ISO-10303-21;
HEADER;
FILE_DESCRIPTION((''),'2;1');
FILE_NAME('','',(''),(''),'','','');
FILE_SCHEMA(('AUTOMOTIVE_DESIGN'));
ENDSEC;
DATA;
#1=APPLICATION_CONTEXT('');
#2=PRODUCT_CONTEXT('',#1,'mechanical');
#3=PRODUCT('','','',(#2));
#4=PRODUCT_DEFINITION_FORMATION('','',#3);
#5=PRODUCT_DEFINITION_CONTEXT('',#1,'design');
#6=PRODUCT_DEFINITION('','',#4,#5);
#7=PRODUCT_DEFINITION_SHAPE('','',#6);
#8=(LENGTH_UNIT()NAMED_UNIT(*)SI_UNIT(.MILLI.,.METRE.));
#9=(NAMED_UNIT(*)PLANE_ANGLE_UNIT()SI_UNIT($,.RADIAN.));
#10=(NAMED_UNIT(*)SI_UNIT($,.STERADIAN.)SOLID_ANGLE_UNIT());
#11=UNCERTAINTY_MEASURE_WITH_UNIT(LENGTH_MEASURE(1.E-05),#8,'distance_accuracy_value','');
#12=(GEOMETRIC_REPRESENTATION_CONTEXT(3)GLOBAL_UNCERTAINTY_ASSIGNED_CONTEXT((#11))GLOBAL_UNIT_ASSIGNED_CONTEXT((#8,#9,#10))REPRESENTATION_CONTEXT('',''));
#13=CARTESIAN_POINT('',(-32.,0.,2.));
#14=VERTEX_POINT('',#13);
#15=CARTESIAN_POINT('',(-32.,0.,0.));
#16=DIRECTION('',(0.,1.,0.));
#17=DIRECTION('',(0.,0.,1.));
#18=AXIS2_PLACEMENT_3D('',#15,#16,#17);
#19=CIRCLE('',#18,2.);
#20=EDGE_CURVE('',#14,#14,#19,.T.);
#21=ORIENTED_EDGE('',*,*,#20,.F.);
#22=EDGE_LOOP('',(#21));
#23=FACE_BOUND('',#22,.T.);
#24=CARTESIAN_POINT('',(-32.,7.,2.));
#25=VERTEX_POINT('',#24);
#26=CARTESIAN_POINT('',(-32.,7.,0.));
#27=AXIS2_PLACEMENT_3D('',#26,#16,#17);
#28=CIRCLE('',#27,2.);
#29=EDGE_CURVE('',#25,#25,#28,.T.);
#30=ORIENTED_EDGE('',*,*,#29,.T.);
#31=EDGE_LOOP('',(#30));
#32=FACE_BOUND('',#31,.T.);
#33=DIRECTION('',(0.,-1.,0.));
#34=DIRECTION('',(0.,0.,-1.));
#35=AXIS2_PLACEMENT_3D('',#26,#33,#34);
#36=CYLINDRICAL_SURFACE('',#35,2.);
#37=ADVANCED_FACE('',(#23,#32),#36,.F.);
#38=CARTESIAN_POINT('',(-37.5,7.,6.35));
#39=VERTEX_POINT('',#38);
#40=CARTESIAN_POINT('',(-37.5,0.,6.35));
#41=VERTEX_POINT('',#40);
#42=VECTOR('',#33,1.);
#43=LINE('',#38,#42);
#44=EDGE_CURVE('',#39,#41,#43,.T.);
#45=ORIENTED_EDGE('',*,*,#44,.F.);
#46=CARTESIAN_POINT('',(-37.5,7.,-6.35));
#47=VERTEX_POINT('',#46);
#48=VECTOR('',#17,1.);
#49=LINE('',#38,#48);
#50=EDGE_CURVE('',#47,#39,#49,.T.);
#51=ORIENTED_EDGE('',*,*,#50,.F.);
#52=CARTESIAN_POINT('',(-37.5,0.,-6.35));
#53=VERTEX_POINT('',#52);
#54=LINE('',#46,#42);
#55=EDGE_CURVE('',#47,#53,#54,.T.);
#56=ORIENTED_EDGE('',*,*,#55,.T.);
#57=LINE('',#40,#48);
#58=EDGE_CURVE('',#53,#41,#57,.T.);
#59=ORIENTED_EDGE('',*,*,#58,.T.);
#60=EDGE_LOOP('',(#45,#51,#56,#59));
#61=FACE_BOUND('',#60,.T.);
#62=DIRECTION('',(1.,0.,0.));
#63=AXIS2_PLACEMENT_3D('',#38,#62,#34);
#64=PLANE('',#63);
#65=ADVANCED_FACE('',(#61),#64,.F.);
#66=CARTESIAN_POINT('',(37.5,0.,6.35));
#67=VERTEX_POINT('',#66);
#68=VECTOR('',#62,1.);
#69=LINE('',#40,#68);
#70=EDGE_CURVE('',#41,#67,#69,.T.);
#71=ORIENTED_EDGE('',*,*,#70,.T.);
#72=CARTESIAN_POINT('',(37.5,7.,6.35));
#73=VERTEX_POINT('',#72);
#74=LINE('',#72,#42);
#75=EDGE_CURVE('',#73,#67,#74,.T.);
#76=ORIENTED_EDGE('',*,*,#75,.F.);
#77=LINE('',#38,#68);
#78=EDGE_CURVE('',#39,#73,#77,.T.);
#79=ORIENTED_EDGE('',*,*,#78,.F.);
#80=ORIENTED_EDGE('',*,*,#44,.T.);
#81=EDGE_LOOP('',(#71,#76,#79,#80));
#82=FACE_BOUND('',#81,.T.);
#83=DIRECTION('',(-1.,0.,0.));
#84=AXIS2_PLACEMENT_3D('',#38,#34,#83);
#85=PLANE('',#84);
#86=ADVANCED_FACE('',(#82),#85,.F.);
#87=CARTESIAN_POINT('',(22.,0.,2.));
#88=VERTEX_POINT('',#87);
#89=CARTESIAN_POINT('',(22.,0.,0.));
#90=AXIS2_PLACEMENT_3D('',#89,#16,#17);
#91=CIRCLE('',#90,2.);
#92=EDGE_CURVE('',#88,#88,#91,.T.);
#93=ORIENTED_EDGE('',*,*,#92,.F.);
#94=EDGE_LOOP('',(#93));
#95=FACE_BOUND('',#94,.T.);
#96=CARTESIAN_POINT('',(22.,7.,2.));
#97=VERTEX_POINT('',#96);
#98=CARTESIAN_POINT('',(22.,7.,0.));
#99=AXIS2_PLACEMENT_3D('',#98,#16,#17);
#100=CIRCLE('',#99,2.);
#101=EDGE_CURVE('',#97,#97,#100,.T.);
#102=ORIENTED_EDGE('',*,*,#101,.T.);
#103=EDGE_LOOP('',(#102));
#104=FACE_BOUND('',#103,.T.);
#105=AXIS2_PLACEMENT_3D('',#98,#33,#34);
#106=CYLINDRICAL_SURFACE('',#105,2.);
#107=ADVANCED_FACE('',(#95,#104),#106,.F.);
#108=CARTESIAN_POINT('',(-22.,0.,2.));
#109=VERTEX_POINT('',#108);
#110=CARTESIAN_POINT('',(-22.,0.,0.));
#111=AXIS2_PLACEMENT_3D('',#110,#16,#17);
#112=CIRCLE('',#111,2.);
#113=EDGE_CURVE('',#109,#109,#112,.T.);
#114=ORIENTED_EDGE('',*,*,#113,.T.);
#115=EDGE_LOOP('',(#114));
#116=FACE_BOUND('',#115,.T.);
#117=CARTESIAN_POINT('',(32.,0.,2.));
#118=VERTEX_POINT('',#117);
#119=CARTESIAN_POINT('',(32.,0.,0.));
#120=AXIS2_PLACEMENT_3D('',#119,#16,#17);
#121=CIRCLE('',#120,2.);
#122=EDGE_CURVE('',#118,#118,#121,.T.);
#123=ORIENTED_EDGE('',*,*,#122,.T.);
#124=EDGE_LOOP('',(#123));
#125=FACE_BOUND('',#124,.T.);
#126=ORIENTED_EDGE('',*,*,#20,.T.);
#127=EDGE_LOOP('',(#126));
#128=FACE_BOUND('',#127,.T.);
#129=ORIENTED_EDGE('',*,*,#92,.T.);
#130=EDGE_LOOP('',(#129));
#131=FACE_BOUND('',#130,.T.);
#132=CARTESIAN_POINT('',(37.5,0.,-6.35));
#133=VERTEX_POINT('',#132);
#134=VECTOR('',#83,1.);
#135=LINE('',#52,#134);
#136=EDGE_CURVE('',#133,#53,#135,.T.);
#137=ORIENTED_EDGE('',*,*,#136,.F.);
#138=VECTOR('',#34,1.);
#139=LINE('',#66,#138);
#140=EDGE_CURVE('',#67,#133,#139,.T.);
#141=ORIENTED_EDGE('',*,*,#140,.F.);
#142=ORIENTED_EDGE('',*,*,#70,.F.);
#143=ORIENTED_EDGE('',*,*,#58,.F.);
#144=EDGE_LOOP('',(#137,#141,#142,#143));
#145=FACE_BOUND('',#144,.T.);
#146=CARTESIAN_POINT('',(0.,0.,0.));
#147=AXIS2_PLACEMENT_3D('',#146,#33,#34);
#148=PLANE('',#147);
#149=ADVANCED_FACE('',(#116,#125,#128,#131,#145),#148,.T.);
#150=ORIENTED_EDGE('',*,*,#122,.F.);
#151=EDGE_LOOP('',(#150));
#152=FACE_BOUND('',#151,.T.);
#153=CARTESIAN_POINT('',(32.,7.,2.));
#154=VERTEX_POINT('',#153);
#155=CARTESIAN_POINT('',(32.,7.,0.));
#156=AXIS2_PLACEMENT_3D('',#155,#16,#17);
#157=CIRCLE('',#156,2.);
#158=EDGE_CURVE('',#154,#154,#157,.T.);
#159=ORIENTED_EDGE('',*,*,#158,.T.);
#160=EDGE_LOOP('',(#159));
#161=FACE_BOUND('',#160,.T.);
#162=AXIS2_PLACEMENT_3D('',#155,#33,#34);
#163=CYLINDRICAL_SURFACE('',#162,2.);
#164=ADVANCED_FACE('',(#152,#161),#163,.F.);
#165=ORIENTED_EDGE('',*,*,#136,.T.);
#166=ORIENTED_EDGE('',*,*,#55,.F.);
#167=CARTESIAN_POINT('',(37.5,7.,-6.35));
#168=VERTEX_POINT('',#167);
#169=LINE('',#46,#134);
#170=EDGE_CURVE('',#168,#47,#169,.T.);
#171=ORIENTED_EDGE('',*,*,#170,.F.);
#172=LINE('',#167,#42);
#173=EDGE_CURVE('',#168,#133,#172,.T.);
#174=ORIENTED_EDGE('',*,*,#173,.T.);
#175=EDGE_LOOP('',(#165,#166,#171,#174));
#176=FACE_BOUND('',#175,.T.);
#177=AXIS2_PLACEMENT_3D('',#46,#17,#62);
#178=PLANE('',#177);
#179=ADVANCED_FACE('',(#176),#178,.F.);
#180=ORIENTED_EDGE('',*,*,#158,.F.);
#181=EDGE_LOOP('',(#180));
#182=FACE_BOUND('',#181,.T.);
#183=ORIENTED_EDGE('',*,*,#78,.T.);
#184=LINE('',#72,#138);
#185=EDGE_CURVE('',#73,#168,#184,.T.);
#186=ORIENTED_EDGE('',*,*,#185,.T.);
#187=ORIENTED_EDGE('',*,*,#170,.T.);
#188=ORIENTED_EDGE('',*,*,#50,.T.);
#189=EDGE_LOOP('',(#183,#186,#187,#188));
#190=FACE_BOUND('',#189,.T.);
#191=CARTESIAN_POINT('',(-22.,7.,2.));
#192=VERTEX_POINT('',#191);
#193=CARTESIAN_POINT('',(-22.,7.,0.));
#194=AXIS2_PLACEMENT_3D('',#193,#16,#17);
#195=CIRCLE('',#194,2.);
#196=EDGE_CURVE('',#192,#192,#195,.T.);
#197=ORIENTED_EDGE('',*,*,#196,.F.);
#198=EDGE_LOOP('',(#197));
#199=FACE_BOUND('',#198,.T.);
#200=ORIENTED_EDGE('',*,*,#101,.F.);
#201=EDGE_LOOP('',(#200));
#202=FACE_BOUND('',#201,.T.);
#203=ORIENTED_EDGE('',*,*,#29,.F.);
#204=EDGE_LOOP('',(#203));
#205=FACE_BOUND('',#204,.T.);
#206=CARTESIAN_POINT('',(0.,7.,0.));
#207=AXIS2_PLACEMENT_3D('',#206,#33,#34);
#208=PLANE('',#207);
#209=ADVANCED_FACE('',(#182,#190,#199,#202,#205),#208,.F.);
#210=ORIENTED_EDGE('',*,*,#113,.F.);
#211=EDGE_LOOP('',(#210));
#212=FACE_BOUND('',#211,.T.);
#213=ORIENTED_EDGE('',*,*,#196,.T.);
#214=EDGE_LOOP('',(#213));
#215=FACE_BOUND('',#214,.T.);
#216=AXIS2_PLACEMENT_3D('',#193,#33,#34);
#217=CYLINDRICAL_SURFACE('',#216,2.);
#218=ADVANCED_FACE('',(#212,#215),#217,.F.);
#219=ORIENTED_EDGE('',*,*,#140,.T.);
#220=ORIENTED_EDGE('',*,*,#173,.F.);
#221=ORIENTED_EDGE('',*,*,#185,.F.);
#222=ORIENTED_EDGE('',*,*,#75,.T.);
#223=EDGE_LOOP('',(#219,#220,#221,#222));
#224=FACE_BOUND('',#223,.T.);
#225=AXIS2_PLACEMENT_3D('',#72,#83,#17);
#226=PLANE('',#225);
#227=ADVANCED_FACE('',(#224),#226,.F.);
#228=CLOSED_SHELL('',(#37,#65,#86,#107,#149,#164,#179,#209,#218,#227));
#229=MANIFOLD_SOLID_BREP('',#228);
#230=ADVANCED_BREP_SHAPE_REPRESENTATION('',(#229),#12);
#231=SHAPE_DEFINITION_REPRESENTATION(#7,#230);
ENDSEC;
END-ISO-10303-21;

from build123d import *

# Parameters (mm, degrees)
SKETCH_1_W                      = 75
SKETCH_1_H                      = 12.7
SENSOR_ENVELOPE_75X12P7X7_DEPTH = 7
SKETCH_2_R                      = 2
FOUR_M4_NOMINAL_HOLES_DEPTH     = 7


with BuildPart() as part:
    # 草图1 → Sensor_envelope_75x12p7x7 (new body)
    with BuildSketch(Plane(origin=(0, 0, 0), x_dir=(1, 0, 0), z_dir=(0, 1, 0))):
        Rectangle(SKETCH_1_W, SKETCH_1_H)
    extrude(amount=SENSOR_ENVELOPE_75X12P7X7_DEPTH)

    # 草图2 → Four_M4_nominal_holes (cut)
    with BuildSketch(Plane(origin=(0, 0, 0), x_dir=(1, 0, 0), z_dir=(0, 1, 0))):
        with Locations(Location((-32, 0, 0), (0, 0, 270))):
            Circle(SKETCH_2_R)
        with Locations(Location((-22, 0, 0), (0, 0, 270))):
            Circle(SKETCH_2_R)
        with Locations(Location((22, 0, 0), (0, 0, 270))):
            Circle(SKETCH_2_R)
        with Locations(Location((32, 0, 0), (0, 0, 270))):
            Circle(SKETCH_2_R)
    extrude(amount=FOUR_M4_NOMINAL_HOLES_DEPTH, mode=Mode.SUBTRACT)


solid = part.part
